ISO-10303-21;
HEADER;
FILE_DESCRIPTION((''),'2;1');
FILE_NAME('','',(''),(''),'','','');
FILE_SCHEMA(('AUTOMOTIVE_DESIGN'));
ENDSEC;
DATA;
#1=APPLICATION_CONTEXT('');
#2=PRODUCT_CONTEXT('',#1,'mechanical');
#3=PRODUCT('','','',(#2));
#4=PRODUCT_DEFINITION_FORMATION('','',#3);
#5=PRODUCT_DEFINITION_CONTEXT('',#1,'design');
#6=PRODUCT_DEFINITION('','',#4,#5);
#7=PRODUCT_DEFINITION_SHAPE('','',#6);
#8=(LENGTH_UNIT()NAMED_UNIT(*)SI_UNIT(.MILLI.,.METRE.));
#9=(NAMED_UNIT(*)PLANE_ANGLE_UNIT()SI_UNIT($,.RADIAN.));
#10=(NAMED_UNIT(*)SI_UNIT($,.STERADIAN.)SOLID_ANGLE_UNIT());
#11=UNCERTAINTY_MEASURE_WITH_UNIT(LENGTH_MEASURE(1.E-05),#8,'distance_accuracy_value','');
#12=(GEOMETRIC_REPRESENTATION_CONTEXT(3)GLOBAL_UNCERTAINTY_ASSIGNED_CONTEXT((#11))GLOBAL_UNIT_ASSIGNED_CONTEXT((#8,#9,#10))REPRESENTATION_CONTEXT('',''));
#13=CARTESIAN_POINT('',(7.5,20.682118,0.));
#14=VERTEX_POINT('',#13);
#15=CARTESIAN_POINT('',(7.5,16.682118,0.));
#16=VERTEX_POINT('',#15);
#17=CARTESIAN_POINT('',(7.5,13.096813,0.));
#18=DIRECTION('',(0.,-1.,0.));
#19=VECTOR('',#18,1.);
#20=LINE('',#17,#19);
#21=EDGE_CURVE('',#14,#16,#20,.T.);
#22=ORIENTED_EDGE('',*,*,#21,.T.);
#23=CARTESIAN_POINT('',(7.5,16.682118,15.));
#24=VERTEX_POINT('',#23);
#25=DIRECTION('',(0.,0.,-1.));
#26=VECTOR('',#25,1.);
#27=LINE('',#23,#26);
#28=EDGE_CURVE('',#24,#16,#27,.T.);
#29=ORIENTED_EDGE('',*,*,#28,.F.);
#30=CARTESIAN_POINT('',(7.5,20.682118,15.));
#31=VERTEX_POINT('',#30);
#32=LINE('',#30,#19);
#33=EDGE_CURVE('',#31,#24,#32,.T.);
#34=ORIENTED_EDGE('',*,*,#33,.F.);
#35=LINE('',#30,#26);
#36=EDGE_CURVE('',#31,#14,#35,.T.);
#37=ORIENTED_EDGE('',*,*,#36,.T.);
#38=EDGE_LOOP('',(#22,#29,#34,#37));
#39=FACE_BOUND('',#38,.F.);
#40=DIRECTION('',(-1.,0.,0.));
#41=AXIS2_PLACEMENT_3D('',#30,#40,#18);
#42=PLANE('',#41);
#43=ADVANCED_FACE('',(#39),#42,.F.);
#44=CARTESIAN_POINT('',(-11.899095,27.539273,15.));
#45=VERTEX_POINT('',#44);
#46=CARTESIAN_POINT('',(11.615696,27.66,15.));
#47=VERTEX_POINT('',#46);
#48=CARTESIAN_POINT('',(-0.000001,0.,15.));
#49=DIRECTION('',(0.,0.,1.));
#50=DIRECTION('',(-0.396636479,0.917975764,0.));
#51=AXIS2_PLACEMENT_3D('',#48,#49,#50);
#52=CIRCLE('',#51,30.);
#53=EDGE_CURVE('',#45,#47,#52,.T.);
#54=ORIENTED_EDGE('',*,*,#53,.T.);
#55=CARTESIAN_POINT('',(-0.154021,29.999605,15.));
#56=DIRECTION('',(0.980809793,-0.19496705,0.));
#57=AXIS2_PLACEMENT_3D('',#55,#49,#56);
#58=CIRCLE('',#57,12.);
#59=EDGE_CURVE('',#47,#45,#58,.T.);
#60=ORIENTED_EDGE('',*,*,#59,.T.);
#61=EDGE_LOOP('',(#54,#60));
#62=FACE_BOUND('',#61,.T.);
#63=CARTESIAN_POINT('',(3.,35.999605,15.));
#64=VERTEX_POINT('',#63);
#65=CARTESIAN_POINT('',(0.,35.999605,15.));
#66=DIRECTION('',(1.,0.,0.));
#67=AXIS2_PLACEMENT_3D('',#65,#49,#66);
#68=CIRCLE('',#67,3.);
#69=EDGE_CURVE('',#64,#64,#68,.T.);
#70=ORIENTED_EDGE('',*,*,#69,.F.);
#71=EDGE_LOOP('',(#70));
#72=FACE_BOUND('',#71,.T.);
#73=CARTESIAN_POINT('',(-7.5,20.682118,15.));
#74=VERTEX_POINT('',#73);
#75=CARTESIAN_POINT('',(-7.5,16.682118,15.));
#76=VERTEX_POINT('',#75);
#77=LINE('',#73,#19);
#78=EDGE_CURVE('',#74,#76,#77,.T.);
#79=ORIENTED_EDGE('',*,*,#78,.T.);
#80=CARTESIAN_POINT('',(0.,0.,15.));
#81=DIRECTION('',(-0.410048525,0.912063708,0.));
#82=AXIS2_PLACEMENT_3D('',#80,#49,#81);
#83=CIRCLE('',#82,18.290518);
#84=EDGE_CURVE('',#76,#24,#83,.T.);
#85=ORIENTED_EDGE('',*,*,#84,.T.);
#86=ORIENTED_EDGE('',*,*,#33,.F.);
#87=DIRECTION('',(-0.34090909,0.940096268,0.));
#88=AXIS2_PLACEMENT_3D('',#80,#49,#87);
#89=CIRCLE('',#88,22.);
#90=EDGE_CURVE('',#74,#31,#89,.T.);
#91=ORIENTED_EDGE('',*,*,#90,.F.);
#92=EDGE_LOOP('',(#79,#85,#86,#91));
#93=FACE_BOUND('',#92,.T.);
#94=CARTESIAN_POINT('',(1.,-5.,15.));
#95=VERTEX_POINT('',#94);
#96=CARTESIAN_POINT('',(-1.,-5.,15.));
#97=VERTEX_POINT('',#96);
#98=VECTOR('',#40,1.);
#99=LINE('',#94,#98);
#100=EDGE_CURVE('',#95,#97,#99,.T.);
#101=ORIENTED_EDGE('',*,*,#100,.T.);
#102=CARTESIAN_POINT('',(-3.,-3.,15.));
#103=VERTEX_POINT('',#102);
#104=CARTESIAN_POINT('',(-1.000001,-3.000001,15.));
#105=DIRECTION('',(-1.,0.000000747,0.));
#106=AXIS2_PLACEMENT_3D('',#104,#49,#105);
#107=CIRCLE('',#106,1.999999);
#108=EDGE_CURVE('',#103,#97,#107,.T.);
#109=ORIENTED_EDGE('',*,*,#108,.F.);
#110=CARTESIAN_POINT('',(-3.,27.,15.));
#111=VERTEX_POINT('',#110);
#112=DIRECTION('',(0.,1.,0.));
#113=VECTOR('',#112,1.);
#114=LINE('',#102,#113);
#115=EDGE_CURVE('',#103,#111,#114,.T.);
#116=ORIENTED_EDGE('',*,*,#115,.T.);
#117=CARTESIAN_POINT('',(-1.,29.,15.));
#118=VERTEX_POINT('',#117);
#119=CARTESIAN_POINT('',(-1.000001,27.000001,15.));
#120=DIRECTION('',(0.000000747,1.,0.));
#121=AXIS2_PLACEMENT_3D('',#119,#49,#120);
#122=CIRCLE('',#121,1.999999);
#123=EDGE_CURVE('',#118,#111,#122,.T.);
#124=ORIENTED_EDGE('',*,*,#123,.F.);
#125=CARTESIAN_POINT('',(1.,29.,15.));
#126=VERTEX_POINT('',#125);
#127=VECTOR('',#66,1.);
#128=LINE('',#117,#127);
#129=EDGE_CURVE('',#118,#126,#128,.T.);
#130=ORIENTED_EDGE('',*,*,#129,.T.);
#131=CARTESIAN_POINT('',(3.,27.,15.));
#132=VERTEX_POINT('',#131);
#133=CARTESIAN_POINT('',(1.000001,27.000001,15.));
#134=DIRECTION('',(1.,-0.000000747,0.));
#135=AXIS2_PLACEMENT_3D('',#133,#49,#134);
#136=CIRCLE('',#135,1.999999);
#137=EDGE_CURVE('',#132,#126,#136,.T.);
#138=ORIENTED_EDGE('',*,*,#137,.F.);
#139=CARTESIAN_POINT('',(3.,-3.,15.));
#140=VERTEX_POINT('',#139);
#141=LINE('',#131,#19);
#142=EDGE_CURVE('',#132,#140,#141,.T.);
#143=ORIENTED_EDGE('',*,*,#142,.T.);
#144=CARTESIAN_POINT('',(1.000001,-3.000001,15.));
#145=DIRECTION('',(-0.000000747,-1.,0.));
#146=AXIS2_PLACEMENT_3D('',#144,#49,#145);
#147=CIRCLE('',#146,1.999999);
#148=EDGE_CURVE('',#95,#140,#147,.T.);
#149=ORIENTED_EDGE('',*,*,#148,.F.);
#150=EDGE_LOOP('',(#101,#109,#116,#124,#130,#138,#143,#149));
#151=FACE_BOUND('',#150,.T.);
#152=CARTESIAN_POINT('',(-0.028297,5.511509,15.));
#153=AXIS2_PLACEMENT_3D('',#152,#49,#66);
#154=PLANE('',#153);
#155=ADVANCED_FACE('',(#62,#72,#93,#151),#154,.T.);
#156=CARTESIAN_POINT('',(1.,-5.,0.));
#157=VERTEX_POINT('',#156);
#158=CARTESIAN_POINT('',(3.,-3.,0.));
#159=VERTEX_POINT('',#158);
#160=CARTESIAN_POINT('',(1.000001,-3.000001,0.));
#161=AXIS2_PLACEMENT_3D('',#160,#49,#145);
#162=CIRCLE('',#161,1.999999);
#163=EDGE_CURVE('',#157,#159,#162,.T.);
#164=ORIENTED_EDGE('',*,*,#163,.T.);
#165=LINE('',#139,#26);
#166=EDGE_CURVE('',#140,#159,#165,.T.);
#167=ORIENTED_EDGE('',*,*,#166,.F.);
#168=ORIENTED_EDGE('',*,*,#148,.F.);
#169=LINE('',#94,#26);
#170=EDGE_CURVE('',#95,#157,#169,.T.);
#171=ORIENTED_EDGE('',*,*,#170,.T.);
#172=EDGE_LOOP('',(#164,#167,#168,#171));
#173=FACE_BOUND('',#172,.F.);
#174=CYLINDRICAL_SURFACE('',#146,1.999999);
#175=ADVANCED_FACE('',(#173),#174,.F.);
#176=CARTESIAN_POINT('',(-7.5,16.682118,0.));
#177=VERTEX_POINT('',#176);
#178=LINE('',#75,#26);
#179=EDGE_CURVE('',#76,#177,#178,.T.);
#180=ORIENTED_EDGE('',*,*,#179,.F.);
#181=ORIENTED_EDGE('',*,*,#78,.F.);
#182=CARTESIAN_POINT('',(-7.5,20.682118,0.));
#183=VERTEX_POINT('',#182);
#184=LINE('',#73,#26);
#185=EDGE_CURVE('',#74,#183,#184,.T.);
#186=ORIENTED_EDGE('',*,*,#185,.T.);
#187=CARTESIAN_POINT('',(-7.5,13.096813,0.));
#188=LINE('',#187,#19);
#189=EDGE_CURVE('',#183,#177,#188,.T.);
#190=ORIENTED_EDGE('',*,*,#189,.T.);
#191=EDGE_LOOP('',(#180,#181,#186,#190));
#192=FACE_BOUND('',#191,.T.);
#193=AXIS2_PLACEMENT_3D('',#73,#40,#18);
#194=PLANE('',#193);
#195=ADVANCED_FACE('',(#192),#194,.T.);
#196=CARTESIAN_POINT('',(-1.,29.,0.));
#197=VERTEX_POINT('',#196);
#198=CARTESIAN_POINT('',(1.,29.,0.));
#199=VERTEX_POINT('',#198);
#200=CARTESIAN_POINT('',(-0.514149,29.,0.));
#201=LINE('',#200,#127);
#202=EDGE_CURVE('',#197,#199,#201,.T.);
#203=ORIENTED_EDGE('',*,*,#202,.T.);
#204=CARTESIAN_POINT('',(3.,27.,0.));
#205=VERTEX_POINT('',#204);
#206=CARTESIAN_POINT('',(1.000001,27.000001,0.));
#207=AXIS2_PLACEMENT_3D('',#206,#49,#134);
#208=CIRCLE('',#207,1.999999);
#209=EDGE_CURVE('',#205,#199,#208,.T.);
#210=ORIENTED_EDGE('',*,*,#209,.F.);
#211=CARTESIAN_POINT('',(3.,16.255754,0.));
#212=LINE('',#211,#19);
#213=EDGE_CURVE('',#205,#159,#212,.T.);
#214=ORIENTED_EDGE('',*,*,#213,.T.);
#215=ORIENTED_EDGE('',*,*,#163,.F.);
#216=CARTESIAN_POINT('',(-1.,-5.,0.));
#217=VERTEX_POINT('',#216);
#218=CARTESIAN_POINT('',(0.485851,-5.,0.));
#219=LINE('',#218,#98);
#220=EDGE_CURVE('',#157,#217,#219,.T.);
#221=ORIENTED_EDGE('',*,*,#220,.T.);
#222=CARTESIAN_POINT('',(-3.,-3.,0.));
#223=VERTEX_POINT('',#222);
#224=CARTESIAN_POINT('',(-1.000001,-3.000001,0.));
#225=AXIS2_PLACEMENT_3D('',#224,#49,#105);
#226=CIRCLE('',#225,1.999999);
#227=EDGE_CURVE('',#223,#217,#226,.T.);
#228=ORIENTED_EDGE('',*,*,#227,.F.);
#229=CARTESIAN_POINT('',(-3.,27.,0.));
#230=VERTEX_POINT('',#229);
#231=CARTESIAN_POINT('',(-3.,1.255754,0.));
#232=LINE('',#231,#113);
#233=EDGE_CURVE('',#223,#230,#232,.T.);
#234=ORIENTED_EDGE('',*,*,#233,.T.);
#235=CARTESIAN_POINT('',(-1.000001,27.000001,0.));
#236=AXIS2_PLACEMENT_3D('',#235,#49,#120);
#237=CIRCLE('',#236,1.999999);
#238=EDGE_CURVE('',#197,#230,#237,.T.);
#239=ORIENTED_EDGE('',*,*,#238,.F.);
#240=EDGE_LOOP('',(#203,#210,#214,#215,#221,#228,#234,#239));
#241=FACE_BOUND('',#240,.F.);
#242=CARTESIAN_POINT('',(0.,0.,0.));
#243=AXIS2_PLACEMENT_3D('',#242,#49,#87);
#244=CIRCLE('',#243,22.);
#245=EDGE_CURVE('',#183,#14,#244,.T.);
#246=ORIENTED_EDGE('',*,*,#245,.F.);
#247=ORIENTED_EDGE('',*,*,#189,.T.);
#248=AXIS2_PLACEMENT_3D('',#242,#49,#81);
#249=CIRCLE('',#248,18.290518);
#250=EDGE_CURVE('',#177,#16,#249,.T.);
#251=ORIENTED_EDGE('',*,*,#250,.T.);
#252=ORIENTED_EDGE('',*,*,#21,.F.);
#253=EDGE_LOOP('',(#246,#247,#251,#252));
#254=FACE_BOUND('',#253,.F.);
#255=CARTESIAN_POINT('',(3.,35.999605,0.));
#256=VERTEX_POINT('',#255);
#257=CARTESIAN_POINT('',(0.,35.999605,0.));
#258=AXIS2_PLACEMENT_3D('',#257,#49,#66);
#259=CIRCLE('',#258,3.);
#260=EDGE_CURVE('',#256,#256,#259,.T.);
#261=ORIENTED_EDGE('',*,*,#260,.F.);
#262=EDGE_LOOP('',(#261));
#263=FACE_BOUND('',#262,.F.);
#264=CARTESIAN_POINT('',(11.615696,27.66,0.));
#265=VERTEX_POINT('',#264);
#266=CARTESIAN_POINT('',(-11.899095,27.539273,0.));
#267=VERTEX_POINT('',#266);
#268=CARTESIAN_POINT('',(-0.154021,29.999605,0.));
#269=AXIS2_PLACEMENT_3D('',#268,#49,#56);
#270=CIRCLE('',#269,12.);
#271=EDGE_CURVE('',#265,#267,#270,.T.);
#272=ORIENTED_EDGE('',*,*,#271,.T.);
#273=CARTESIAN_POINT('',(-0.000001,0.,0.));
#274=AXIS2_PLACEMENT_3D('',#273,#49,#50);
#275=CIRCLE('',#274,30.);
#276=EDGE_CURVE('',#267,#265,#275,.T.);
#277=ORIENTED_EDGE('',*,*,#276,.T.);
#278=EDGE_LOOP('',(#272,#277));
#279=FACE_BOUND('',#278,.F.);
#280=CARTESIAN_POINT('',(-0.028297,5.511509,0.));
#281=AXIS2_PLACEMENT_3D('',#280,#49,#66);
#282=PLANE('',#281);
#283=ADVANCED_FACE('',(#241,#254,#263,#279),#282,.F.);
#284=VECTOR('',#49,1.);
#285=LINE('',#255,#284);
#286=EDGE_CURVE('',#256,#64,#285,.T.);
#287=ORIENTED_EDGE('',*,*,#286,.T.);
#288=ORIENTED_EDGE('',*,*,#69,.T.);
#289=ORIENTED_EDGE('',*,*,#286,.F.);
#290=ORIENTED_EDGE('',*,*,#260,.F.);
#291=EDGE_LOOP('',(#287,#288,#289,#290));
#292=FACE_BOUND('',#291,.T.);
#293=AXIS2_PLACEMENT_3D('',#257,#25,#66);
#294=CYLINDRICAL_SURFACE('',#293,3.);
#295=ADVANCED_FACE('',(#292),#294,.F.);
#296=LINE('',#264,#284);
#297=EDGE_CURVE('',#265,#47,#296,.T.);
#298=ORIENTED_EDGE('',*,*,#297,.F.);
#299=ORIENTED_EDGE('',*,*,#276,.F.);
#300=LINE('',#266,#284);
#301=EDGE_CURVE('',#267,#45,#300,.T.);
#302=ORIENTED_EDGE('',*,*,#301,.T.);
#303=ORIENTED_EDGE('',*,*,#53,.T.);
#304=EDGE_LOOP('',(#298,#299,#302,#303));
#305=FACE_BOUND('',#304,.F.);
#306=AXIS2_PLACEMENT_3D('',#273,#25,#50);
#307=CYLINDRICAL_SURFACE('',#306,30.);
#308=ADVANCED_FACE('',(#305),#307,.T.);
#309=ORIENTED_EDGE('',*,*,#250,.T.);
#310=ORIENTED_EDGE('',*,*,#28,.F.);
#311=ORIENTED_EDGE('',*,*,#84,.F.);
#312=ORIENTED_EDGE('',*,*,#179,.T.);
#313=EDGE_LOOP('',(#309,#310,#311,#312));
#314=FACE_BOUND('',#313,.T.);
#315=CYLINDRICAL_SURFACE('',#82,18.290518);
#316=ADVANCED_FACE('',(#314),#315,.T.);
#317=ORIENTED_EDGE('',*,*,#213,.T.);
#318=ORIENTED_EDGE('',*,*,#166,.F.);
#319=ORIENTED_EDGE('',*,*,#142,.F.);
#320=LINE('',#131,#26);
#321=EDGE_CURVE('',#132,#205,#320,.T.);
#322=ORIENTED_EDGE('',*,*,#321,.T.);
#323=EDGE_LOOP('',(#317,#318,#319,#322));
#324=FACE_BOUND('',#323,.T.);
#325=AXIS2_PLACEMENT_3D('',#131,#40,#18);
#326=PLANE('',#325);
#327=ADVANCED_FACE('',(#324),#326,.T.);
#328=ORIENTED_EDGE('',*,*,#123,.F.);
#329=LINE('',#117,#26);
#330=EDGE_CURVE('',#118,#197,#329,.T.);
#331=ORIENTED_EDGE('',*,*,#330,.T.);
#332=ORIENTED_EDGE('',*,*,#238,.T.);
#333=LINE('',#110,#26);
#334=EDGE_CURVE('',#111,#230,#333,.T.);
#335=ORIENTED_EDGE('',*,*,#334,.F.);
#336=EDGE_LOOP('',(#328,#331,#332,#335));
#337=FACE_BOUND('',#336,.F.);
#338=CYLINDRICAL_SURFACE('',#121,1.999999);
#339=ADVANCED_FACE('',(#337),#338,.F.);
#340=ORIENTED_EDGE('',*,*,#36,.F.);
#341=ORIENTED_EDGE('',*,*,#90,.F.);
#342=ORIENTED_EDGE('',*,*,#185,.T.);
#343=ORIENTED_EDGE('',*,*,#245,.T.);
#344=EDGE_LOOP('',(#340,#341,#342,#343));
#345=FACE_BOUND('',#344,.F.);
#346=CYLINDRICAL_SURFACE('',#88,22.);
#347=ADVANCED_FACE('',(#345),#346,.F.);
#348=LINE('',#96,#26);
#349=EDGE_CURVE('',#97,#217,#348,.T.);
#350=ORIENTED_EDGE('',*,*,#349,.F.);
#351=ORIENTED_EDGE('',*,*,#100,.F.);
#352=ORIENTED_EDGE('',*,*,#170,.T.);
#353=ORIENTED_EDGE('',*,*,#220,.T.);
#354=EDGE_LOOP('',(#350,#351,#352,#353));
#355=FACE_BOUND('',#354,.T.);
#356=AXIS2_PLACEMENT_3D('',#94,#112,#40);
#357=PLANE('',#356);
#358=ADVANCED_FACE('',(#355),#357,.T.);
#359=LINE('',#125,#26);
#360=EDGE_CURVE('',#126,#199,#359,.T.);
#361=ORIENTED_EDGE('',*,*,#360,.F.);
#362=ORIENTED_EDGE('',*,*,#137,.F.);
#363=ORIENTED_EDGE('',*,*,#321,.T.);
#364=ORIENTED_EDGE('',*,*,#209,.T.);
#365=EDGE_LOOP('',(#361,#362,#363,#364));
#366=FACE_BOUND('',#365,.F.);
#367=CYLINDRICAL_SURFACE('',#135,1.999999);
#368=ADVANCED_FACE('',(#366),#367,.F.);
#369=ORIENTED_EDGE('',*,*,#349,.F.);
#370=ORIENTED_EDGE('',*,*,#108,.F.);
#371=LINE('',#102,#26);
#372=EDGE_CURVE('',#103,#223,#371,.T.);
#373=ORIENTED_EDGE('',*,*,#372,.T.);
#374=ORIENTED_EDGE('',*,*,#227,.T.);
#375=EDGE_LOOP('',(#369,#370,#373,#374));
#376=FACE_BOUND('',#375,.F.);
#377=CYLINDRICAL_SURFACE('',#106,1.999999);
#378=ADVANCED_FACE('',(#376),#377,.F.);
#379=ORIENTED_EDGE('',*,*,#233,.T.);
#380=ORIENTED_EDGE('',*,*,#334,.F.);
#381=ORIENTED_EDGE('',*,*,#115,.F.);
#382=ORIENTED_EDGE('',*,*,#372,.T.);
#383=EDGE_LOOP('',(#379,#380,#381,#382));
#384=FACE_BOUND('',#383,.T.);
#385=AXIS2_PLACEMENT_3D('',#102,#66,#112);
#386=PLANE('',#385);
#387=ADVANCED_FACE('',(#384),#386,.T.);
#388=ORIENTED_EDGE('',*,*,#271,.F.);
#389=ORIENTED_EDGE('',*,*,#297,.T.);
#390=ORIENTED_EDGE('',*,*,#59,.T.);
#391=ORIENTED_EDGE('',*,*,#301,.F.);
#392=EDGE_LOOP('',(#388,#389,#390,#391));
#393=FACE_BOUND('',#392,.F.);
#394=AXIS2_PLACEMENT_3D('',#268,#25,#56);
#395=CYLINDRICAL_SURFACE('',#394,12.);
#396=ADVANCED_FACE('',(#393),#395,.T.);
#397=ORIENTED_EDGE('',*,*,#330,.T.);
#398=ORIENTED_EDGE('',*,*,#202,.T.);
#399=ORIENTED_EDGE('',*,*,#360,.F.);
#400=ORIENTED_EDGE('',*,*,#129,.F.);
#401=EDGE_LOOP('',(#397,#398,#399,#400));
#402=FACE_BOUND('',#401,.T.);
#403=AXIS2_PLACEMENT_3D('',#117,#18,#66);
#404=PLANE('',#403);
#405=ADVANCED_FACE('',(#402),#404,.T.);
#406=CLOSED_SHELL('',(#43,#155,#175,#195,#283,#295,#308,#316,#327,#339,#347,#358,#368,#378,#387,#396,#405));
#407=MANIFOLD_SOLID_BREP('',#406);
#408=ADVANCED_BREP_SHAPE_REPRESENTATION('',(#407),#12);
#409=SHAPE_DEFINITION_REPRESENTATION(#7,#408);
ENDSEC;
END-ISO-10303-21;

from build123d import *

# Parameters (mm, degrees)
SKETCH_R     = 3
PAD_DEPTH    = 15
POCKET_DEPTH = 15.001


with BuildPart() as part:
    # Sketch → Pad (new body)
    with BuildSketch(Plane.XY):
        with BuildLine():
            ThreePointArc((-11.899095, 27.539273), (0.154021, -29.999605), (11.615696, 27.66))
            ThreePointArc((11.615696, 27.66), (-0.21563, 41.999446), (-11.899095, 27.539273))
        make_face()
        with Locations((0, 35.999605)):
            Circle(SKETCH_R, mode=Mode.SUBTRACT)
    extrude(amount=PAD_DEPTH)

    # Sketch001 (on Face5 of Pad) → Pocket (cut, through all)
    with BuildSketch(Plane.XY.offset(15)):
        with BuildLine():
            ThreePointArc((-7.5, 20.682118), (0, -22), (7.5, 20.682118))
            Line((7.5, 20.682118), (7.5, 16.682118))
            ThreePointArc((-7.5, 16.682118), (0, -18.290518), (7.5, 16.682118))
            Line((-7.5, 20.682118), (-7.5, 16.682118))
        make_face()
        with BuildLine():
            Line((-1, 29), (1, 29))
            ThreePointArc((3, 27), (2.414214, 28.414214), (1, 29))
            Line((3, 27), (3, -3))
            ThreePointArc((1, -5), (2.414214, -4.414214), (3, -3))
            Line((1, -5), (-1, -5))
            ThreePointArc((-3, -3), (-2.414214, -4.414214), (-1, -5))
            Line((-3, -3), (-3, 27))
            ThreePointArc((-1, 29), (-2.414214, 28.414214), (-3, 27))
        make_face()
    extrude(amount=-POCKET_DEPTH, mode=Mode.SUBTRACT)


solid = part.part
